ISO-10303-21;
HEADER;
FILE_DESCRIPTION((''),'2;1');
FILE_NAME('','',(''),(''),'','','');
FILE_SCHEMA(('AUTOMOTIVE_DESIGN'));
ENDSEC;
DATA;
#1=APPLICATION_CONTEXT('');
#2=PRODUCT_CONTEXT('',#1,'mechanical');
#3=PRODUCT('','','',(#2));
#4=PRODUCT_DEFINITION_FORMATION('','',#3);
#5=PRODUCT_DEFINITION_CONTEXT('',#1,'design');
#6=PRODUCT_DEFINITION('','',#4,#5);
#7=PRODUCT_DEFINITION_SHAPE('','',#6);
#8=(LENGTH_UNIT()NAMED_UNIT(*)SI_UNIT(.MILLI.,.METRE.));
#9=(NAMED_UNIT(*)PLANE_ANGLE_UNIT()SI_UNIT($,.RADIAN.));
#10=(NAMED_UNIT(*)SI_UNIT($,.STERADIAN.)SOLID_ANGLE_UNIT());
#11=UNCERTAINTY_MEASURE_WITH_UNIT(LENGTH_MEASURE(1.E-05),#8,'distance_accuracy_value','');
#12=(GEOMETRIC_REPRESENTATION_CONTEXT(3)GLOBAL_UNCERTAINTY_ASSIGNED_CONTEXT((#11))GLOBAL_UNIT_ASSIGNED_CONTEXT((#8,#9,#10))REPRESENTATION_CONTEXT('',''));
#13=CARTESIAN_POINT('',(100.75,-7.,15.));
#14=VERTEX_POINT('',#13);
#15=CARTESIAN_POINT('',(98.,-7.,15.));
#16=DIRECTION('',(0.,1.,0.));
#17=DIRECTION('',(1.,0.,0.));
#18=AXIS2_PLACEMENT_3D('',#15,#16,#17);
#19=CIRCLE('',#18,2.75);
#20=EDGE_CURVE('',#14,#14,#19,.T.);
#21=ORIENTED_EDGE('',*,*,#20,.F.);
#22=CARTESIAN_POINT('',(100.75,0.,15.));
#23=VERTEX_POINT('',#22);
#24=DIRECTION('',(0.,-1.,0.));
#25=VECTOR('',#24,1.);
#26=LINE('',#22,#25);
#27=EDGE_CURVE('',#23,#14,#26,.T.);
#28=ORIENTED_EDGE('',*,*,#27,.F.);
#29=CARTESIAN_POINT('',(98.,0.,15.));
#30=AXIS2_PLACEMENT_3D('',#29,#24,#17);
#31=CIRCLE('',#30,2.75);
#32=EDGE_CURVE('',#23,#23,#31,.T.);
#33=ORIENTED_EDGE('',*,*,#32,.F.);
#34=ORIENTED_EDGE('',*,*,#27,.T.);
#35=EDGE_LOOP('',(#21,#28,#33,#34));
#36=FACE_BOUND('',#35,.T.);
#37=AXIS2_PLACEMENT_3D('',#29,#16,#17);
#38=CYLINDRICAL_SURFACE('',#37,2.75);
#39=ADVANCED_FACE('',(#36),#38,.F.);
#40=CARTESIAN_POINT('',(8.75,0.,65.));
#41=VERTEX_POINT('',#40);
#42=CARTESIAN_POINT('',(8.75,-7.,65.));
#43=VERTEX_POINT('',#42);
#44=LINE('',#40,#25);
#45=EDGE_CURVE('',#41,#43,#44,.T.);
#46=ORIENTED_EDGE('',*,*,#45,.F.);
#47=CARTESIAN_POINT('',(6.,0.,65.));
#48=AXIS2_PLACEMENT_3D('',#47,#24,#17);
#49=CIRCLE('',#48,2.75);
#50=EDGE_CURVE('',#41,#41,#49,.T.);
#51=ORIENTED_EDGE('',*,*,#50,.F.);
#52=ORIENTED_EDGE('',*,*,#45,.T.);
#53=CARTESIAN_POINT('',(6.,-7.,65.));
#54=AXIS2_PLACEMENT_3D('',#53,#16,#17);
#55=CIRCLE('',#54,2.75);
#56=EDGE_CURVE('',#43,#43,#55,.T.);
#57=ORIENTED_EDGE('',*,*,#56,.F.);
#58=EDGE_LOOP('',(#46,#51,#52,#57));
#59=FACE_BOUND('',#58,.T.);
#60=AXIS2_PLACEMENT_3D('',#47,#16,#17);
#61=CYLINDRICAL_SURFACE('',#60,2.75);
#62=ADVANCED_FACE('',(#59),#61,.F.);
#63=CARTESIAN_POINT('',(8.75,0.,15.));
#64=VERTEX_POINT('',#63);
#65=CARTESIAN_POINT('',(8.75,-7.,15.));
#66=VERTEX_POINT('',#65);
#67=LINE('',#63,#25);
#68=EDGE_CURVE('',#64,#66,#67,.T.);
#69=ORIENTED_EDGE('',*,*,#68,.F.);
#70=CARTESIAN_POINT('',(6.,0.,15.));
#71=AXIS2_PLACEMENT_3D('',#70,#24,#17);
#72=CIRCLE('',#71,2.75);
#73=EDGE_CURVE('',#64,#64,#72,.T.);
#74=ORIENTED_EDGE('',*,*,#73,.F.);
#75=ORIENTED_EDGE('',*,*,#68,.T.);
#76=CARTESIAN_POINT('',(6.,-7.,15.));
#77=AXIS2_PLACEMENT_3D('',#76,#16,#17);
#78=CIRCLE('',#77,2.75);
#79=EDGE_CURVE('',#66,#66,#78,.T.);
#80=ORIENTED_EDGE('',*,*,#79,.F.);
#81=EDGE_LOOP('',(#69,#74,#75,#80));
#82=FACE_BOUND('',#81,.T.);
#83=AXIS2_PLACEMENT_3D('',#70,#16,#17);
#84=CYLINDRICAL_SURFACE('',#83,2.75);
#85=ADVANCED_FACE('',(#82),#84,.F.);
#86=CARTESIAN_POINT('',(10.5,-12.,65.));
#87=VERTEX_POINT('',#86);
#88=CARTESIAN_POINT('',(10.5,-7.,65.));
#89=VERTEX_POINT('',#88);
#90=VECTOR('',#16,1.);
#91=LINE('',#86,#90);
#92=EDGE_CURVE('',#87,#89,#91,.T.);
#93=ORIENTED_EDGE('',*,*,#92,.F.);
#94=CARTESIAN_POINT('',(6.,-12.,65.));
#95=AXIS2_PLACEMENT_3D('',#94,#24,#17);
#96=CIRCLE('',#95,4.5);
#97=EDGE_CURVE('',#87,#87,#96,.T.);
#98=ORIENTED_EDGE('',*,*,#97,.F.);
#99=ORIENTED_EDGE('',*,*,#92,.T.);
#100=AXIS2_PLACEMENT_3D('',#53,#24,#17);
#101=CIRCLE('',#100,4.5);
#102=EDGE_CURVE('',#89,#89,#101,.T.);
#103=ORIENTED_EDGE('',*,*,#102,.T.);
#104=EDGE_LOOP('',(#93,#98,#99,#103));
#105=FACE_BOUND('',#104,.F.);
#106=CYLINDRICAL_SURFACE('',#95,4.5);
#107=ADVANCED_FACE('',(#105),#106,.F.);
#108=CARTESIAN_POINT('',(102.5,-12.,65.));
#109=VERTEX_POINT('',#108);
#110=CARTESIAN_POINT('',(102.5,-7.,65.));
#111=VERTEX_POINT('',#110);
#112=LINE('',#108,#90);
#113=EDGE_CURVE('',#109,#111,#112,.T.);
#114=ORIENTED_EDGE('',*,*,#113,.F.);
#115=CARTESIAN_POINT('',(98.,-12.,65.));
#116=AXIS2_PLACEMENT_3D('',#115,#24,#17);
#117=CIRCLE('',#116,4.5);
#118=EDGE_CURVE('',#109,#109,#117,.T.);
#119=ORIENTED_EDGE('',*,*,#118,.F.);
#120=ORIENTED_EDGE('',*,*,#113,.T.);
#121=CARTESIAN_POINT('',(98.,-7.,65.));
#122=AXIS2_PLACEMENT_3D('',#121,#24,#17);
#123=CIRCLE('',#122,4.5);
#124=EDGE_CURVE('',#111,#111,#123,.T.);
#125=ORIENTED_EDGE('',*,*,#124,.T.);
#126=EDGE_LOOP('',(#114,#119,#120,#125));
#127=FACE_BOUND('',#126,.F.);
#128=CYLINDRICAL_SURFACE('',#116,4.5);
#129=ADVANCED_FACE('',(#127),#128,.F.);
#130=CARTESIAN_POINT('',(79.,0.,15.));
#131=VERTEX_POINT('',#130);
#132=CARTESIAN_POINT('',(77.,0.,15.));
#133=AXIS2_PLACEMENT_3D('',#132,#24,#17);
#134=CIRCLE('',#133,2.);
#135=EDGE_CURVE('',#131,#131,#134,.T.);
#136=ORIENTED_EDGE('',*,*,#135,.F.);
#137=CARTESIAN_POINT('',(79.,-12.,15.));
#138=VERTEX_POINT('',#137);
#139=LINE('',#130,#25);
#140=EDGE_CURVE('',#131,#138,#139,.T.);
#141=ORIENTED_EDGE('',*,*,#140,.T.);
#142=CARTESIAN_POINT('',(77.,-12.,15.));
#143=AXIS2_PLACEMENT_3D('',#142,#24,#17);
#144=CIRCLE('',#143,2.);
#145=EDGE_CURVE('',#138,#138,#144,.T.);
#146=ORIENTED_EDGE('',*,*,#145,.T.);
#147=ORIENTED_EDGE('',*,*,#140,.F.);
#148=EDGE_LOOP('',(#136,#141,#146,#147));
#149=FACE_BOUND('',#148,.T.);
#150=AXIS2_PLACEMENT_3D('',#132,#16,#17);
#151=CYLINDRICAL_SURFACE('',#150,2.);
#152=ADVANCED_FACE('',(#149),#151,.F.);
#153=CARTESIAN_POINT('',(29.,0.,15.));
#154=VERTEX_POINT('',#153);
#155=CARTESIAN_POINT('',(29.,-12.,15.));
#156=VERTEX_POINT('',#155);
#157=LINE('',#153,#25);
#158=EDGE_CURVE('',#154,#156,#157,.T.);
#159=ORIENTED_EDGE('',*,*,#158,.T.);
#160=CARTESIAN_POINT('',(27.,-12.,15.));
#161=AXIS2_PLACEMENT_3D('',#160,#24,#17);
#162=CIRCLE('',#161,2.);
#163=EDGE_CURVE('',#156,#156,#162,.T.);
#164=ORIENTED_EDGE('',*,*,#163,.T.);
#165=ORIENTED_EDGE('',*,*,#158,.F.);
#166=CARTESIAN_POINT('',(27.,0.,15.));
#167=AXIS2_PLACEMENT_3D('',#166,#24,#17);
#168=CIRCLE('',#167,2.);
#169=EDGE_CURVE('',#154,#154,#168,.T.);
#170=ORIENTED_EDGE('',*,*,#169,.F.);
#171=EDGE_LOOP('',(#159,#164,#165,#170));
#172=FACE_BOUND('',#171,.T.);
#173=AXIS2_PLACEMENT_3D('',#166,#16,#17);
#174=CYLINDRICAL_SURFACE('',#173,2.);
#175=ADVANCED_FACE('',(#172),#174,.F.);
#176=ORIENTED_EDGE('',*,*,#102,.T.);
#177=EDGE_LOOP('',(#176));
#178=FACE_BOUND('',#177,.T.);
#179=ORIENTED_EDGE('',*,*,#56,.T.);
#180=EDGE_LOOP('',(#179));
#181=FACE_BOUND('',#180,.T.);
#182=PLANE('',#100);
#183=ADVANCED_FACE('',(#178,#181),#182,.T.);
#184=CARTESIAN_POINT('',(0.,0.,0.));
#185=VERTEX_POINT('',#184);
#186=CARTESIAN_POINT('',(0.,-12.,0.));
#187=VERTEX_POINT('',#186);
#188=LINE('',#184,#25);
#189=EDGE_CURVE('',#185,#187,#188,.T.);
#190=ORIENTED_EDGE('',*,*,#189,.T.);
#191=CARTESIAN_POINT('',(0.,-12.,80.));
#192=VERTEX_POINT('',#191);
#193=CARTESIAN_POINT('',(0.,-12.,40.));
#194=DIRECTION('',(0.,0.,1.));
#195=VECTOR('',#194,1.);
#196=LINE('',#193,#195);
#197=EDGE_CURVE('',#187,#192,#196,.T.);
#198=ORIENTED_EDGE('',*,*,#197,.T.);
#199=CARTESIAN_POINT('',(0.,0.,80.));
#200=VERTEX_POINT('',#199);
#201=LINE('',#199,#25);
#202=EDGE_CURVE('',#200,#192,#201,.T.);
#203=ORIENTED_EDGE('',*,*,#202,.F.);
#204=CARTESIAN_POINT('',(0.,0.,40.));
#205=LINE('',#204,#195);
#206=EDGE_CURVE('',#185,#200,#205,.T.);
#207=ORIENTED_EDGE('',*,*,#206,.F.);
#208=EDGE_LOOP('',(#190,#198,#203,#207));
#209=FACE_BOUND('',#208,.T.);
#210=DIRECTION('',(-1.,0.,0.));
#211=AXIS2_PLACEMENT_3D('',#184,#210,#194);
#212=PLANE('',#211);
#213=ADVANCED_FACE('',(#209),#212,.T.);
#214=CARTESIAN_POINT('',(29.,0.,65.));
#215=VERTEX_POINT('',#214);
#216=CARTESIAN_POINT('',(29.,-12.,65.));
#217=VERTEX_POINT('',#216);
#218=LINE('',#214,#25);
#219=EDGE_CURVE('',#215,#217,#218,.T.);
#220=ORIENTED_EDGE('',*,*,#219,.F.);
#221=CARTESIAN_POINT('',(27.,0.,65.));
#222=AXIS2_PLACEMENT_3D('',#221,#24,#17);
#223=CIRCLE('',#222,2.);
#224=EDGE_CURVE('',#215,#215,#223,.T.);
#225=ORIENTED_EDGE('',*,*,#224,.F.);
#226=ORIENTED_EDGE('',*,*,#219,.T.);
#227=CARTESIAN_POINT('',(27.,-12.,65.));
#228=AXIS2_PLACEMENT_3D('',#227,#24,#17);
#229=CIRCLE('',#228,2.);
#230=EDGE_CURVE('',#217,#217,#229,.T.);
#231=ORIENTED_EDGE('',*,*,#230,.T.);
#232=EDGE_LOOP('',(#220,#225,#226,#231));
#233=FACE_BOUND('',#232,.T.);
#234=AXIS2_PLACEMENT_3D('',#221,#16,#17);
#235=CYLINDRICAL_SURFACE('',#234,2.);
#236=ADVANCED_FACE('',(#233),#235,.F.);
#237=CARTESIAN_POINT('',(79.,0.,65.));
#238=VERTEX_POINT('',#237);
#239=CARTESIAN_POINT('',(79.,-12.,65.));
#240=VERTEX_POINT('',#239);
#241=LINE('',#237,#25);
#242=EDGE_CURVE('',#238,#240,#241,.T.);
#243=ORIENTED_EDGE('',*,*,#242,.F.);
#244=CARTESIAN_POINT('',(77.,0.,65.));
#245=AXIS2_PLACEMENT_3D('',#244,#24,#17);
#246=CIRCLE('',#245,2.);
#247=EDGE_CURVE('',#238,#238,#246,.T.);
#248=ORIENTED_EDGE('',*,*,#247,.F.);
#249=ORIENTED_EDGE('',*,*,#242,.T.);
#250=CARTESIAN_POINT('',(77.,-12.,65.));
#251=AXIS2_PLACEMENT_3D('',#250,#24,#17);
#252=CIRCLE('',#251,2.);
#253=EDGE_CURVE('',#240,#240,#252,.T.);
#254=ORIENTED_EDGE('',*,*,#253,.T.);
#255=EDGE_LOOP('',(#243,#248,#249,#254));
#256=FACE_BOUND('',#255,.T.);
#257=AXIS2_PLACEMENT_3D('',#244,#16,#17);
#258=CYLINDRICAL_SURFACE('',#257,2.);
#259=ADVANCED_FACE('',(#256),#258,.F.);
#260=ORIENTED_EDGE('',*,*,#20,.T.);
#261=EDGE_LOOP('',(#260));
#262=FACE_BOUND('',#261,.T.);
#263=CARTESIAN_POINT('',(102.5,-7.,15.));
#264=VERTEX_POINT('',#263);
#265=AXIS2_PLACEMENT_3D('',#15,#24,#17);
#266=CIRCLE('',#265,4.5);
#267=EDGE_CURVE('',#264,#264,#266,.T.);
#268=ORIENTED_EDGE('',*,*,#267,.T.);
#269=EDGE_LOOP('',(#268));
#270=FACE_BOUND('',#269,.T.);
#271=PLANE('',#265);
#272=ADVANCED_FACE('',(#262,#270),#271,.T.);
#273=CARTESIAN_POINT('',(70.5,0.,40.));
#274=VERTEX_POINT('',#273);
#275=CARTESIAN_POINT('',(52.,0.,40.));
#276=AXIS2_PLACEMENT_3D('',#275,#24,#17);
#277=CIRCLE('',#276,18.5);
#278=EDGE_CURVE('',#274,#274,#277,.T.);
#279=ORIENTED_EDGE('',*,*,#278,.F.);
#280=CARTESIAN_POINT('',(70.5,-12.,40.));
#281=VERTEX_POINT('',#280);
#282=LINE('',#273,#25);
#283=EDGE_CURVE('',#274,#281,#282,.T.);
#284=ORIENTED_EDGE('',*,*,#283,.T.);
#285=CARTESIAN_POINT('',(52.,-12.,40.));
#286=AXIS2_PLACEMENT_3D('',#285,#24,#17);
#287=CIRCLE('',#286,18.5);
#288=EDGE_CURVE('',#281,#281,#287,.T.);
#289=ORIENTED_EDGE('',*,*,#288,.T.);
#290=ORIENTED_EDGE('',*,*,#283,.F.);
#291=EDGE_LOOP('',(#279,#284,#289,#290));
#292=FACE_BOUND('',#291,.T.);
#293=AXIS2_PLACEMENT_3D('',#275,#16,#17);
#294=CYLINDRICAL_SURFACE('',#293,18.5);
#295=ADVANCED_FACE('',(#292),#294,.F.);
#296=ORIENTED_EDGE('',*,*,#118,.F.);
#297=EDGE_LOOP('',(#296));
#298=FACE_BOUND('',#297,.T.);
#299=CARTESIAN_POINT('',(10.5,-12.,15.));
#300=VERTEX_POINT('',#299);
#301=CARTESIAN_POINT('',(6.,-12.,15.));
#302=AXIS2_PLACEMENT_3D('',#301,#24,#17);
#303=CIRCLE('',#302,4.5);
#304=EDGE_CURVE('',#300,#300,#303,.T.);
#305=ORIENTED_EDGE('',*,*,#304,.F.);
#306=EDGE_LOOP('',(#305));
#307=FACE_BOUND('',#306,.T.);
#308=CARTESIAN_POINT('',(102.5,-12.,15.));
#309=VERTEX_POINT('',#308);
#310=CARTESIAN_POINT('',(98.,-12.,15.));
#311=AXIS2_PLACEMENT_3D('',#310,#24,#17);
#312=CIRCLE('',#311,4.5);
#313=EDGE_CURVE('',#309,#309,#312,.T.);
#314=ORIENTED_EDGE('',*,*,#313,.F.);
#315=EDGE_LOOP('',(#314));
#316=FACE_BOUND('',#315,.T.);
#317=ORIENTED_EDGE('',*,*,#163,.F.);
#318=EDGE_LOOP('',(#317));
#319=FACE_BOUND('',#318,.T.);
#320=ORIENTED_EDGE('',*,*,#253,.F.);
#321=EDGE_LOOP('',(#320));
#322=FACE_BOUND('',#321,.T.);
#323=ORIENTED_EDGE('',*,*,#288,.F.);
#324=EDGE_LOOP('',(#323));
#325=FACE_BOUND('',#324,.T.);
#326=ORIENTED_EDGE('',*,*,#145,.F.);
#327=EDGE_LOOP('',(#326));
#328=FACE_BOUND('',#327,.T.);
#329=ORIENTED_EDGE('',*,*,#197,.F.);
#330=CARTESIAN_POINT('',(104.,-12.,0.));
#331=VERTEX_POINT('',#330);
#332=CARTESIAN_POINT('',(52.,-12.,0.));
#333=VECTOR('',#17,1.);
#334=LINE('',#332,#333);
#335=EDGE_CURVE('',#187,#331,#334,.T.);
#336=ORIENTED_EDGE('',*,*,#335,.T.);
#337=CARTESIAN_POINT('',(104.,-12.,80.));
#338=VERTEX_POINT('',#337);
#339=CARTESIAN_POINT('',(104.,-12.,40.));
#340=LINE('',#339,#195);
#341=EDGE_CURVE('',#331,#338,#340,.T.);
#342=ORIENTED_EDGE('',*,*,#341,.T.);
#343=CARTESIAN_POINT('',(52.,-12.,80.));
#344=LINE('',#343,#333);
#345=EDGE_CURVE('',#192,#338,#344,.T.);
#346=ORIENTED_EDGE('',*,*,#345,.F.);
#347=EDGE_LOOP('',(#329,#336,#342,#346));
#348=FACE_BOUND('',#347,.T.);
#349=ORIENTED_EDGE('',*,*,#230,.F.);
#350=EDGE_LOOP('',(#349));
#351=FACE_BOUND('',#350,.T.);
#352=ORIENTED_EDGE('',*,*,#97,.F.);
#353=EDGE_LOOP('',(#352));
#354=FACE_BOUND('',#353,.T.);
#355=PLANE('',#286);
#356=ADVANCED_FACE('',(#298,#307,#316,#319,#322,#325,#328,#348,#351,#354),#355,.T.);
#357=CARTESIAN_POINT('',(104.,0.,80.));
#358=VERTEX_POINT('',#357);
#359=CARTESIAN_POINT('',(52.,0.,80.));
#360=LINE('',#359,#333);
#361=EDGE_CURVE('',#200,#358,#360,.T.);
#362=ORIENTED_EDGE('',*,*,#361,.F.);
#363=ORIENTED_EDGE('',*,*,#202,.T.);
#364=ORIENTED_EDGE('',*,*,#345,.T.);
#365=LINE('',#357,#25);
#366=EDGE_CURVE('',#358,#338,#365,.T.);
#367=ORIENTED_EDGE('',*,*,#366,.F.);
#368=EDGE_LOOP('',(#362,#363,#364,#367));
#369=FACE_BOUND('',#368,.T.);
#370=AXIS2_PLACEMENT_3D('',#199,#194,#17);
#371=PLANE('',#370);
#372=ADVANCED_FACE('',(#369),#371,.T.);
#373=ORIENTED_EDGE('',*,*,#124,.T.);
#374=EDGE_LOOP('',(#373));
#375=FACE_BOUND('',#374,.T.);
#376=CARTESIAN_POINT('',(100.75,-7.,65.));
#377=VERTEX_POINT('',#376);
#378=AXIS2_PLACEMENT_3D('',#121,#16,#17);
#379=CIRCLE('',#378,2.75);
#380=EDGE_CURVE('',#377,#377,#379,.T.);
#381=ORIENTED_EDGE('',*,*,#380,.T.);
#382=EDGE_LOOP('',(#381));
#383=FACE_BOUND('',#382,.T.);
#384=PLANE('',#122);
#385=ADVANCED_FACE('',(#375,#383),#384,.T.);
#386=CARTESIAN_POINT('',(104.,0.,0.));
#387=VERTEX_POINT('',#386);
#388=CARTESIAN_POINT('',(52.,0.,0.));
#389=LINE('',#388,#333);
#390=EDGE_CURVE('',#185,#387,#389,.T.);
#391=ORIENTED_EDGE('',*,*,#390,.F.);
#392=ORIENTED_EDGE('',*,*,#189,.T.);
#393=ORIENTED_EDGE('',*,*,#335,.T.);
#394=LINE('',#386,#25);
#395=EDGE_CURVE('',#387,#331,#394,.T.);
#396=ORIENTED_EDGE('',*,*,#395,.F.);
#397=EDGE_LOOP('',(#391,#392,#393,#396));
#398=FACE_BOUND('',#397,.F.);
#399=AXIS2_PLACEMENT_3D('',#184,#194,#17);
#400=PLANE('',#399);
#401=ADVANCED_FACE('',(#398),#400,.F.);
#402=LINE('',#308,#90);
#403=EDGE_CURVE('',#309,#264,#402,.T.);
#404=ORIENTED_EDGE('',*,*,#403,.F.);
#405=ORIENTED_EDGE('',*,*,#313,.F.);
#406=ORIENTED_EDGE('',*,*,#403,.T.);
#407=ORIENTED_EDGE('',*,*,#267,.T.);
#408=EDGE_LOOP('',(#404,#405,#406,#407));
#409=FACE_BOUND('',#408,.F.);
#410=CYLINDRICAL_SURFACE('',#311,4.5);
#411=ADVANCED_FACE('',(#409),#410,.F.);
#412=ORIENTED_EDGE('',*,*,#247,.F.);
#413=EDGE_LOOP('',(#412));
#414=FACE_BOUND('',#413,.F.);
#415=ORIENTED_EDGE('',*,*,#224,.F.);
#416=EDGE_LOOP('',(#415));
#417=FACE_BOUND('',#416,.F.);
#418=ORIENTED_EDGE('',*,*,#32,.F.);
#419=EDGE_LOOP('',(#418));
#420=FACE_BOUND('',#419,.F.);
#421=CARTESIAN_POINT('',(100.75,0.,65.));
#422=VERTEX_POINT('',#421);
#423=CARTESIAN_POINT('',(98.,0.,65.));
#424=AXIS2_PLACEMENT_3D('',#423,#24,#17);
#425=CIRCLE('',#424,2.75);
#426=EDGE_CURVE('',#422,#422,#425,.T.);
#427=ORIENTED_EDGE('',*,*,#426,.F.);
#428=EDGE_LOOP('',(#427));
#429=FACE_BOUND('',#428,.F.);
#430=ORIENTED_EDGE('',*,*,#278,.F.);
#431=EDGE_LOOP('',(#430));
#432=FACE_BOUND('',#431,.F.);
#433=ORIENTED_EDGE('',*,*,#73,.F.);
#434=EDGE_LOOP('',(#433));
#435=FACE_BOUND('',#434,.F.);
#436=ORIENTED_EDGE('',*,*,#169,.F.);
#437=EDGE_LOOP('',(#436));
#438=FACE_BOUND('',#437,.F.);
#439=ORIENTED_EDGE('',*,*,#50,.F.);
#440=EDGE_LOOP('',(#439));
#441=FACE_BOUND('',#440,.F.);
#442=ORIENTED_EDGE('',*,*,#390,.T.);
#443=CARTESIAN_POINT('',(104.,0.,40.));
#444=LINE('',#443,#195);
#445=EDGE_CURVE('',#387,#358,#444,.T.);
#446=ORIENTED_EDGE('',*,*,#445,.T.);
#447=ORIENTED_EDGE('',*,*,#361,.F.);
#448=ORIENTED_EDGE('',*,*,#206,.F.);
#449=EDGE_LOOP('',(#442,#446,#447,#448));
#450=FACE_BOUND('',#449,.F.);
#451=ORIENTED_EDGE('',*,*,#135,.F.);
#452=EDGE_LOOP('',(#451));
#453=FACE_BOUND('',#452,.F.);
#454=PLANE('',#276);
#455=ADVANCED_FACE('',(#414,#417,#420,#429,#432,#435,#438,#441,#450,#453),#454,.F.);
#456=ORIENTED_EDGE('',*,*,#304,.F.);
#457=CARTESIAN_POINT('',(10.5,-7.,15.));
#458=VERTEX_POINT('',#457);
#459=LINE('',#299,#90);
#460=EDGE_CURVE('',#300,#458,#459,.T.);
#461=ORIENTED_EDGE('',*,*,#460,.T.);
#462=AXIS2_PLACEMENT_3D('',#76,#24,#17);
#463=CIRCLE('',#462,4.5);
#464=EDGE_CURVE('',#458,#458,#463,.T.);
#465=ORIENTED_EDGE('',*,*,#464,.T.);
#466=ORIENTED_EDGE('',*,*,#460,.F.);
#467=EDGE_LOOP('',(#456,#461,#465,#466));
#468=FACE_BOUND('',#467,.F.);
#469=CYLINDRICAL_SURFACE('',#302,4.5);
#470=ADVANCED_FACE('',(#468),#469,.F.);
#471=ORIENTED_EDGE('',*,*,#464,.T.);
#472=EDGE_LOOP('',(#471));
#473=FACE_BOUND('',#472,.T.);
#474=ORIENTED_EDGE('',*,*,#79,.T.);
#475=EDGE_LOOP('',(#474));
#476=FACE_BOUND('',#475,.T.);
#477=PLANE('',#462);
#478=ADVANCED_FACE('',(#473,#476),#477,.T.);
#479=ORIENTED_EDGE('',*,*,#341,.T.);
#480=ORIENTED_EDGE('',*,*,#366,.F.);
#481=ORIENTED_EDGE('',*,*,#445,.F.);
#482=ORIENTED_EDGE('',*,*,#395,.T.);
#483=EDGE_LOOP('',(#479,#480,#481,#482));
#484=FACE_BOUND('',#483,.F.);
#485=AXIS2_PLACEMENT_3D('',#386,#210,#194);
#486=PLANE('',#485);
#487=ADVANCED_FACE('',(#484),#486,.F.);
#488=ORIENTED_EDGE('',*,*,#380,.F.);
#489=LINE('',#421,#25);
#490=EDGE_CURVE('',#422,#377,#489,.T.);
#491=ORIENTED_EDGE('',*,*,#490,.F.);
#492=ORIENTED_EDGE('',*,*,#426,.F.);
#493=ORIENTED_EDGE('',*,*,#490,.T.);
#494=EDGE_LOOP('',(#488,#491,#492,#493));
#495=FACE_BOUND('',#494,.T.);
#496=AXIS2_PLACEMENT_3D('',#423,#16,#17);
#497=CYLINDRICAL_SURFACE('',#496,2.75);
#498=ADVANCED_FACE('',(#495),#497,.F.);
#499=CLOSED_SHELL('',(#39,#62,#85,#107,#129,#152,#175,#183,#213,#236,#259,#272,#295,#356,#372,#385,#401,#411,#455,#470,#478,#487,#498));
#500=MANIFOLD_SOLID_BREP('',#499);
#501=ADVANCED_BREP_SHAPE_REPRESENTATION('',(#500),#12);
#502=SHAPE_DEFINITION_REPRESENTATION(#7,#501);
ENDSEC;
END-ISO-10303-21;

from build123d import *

# Parameters (mm, degrees)
F0_W     = 104
F0_H     = 80
F0_R     = 2.75
F0_R_2   = 2
F0_R_3   = 18.5
F1_DEPTH = 12
F2_R     = 4.5
F3_DEPTH = 5


with BuildPart() as f1:
    # F0 (on Front) → F1 (new body)
    with BuildSketch(Plane.XZ):
        with Locations((52, 40)):
            Rectangle(F0_W, F0_H)
        with Locations((6, 15)):
            Circle(F0_R, mode=Mode.SUBTRACT)
        with Locations((27, 15)):
            Circle(F0_R_2, mode=Mode.SUBTRACT)
        with Locations((77, 15)):
            Circle(F0_R_2, mode=Mode.SUBTRACT)
        with Locations((98, 15)):
            Circle(F0_R, mode=Mode.SUBTRACT)
        with Locations((6, 65)):
            Circle(F0_R, mode=Mode.SUBTRACT)
        with Locations((27, 65)):
            Circle(F0_R_2, mode=Mode.SUBTRACT)
        with Locations((52, 40)):
            Circle(F0_R_3, mode=Mode.SUBTRACT)
        with Locations((77, 65)):
            Circle(F0_R_2, mode=Mode.SUBTRACT)
        with Locations((98, 65)):
            Circle(F0_R, mode=Mode.SUBTRACT)
    extrude(amount=F1_DEPTH)

    # F2 (on face) → F3 (cut)
    with BuildSketch(Plane.XZ.offset(12)):
        with Locations((6, 65)):
            Circle(F2_R)
        with Locations((98, 65)):
            Circle(F2_R)
        with Locations((98, 15)):
            Circle(F2_R)
        with Locations((6, 15)):
            Circle(F2_R)
    extrude(amount=-F3_DEPTH, mode=Mode.SUBTRACT)


solid = f1.part
